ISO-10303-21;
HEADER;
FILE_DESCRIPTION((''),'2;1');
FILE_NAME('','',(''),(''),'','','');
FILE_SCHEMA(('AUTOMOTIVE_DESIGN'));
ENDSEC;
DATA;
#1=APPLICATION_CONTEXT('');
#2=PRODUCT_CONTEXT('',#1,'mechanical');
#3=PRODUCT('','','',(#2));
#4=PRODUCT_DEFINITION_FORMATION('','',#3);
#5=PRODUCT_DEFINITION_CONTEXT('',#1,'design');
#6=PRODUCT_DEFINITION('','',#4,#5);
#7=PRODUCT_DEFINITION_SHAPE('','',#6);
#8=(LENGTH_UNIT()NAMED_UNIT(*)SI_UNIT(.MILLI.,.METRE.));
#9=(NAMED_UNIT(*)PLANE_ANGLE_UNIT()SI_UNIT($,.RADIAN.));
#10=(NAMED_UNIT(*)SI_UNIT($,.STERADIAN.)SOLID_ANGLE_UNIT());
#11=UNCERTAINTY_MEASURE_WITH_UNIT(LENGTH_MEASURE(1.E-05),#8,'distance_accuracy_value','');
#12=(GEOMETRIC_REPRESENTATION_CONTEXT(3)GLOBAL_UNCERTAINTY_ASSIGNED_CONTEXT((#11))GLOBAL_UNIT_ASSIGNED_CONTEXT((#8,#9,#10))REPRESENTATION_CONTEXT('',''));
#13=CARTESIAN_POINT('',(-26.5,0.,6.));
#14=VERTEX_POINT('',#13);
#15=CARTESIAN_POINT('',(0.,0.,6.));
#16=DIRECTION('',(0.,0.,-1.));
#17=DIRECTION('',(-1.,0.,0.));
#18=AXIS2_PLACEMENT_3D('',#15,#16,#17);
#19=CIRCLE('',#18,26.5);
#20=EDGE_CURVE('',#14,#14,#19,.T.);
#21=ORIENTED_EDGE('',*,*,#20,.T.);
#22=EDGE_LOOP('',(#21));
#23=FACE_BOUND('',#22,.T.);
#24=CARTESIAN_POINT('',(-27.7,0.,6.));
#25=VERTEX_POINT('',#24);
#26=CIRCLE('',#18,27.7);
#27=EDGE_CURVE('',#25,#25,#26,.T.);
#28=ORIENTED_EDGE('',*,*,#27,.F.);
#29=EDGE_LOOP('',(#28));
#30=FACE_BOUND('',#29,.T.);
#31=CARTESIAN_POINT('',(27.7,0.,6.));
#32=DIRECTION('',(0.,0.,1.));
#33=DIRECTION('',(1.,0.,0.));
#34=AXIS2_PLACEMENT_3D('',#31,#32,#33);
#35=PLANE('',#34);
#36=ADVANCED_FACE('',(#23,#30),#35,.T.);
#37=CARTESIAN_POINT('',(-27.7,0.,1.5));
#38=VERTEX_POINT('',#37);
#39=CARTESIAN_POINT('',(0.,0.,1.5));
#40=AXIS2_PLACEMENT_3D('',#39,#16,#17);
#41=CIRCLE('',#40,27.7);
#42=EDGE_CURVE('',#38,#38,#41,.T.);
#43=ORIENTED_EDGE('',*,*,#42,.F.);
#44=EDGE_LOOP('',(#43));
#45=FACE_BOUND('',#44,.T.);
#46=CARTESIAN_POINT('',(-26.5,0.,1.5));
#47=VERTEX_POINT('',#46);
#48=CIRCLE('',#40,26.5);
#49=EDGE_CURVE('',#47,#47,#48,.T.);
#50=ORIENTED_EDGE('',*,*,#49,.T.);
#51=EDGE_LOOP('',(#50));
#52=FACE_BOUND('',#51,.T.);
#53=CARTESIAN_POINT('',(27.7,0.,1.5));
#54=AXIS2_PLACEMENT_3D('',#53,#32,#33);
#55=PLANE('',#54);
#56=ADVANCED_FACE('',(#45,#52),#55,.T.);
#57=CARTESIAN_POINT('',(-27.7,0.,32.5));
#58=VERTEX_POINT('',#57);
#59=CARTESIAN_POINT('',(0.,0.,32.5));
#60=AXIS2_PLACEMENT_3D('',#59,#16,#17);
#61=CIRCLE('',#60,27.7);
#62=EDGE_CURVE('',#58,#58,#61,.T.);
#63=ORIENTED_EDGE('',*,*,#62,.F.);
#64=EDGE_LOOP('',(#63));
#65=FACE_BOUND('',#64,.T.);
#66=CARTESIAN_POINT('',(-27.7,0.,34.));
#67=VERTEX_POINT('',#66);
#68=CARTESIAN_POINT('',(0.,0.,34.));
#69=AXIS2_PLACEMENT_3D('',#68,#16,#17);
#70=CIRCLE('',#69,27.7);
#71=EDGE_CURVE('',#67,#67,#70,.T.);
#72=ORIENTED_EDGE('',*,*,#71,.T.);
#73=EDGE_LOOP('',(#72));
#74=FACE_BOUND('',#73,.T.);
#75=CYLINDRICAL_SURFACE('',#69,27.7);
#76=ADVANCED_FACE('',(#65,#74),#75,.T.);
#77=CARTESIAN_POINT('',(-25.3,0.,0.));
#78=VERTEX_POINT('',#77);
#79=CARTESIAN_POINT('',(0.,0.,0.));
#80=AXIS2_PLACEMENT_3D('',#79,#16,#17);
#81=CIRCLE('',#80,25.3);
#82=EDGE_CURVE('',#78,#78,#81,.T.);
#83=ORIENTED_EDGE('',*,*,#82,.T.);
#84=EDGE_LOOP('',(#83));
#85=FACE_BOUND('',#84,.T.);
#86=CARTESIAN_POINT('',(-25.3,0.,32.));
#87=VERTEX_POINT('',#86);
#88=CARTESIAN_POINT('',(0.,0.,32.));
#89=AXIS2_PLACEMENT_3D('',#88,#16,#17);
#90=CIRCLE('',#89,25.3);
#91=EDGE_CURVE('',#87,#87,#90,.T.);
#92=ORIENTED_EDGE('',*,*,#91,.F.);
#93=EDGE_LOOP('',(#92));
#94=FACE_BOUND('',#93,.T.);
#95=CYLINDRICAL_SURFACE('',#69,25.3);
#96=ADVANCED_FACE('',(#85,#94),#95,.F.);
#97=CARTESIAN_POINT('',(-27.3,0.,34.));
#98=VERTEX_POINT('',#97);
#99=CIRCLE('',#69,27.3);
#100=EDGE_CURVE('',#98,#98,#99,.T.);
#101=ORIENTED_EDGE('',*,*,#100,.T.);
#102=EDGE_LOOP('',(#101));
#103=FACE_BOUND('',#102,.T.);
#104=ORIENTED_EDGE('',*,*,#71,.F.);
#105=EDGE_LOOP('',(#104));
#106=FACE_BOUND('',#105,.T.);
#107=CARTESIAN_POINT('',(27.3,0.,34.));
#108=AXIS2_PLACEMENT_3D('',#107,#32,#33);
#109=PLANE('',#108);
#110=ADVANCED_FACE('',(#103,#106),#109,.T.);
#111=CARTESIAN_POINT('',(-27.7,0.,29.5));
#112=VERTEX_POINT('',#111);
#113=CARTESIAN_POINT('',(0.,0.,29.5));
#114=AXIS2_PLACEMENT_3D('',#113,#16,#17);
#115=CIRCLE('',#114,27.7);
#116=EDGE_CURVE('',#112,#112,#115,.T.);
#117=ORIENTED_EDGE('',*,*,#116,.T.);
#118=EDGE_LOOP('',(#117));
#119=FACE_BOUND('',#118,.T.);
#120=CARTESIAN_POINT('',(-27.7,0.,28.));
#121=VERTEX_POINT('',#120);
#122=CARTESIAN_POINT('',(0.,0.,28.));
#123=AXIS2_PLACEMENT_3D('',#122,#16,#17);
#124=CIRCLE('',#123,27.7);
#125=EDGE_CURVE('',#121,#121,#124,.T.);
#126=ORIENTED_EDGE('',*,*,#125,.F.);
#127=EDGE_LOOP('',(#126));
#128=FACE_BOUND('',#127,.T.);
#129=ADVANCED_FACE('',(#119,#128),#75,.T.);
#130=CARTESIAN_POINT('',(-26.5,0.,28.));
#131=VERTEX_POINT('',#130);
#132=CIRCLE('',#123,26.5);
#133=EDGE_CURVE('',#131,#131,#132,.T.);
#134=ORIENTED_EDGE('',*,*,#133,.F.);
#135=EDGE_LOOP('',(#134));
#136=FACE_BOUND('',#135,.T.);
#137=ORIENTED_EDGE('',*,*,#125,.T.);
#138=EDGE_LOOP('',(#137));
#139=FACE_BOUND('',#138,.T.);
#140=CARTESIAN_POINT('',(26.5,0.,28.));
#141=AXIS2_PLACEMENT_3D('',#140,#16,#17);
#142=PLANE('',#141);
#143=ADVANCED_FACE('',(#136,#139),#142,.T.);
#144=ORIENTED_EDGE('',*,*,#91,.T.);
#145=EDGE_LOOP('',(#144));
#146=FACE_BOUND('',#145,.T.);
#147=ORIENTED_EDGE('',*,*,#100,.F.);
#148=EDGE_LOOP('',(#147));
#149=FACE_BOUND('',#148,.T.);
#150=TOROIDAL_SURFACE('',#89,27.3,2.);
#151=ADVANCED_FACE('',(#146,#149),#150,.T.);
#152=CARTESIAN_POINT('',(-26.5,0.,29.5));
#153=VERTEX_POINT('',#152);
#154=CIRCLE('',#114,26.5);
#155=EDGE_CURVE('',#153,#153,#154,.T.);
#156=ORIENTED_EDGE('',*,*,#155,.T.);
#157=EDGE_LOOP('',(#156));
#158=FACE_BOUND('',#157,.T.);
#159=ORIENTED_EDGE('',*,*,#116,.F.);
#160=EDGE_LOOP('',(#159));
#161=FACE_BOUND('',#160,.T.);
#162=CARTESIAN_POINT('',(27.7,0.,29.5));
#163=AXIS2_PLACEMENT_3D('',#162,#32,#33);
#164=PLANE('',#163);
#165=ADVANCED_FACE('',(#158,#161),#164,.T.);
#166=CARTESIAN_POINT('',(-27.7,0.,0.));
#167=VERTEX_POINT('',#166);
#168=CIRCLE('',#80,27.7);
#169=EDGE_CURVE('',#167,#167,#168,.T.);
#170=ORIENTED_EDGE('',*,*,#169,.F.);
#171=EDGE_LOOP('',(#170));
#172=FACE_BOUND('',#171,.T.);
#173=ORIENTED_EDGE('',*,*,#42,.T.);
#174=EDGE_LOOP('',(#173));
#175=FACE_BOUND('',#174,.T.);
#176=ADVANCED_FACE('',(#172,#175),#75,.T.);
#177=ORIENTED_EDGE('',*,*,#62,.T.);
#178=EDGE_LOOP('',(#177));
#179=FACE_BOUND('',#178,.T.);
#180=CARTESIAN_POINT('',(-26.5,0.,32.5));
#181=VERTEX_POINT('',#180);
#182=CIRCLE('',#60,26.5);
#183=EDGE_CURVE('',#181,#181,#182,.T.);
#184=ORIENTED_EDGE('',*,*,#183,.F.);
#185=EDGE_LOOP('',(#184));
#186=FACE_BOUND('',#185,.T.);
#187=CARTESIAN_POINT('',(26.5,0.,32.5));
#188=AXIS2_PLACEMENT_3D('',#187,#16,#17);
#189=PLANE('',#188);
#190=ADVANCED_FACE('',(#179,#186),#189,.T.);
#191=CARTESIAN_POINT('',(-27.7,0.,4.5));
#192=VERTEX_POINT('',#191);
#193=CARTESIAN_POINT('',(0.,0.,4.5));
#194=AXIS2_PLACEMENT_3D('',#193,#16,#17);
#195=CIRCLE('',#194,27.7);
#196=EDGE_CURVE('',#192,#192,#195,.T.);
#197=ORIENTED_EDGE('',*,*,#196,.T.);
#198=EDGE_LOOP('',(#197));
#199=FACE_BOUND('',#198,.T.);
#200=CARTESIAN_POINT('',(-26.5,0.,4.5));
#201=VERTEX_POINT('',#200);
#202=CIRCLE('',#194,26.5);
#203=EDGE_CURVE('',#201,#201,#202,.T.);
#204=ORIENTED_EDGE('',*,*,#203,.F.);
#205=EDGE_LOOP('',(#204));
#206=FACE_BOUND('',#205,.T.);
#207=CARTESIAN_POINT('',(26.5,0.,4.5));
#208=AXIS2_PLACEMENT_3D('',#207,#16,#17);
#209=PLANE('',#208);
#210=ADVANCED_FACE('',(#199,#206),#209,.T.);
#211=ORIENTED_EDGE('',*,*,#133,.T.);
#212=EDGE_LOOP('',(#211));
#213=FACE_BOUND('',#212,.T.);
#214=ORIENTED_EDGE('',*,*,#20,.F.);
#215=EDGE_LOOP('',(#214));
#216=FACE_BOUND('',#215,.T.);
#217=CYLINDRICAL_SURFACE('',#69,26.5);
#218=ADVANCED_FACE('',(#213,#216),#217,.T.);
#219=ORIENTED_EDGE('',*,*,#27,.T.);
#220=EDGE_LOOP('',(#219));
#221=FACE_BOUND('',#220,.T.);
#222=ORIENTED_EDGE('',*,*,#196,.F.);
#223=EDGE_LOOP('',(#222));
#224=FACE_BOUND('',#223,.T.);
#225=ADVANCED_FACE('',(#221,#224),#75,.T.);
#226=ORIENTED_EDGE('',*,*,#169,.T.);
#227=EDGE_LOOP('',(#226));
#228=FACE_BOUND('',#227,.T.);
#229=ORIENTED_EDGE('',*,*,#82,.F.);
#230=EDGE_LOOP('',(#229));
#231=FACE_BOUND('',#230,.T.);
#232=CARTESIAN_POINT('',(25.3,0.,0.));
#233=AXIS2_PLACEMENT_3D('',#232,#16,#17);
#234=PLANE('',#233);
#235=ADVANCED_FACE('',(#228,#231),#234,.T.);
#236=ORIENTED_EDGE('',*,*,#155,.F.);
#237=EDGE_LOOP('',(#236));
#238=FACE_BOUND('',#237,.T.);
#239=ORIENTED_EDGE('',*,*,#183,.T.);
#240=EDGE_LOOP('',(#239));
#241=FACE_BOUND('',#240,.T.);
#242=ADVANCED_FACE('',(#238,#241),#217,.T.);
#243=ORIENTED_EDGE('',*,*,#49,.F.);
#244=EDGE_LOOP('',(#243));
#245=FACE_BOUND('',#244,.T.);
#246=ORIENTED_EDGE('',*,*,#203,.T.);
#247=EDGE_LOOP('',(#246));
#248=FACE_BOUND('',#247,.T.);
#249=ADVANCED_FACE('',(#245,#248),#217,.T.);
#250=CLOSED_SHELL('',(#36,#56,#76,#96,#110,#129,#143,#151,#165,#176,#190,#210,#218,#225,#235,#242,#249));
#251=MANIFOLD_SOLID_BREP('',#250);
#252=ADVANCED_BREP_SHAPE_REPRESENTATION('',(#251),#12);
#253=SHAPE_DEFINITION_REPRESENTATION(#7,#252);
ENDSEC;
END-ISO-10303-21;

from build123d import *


with BuildPart() as part:
    # Sketch1 → Revolve1 (revolve)
    with BuildSketch(Plane.XZ, mode=Mode.PRIVATE) as revolve1_sk:
        with BuildLine():
            Line((25.3, 0), (27.7, 0))
            Line((27.7, 0), (27.7, 1.5))
            Line((27.7, 1.5), (26.5, 1.5))
            Line((26.5, 1.5), (26.5, 4.5))
            Line((26.5, 4.5), (27.7, 4.5))
            Line((27.7, 4.5), (27.7, 6))
            Line((27.7, 6), (26.5, 6))
            Line((26.5, 6), (26.5, 28))
            Line((26.5, 28), (27.7, 28))
            Line((27.7, 28), (27.7, 29.5))
            Line((27.7, 29.5), (26.5, 29.5))
            Line((26.5, 29.5), (26.5, 32.5))
            Line((26.5, 32.5), (27.7, 32.5))
            Line((27.7, 32.5), (27.7, 34))
            Line((27.7, 34), (27.3, 34))
            ThreePointArc((27.3, 34), (25.885786438, 33.414213562), (25.3, 32))
            Line((25.3, 32), (25.3, 0))
        make_face()
    revolve(revolve1_sk.sketch.rotate(Axis((0, 0, 34), (0, 0, -1)), 180), axis=Axis((0, 0, 34), (0, 0, -1)))


solid = part.part
